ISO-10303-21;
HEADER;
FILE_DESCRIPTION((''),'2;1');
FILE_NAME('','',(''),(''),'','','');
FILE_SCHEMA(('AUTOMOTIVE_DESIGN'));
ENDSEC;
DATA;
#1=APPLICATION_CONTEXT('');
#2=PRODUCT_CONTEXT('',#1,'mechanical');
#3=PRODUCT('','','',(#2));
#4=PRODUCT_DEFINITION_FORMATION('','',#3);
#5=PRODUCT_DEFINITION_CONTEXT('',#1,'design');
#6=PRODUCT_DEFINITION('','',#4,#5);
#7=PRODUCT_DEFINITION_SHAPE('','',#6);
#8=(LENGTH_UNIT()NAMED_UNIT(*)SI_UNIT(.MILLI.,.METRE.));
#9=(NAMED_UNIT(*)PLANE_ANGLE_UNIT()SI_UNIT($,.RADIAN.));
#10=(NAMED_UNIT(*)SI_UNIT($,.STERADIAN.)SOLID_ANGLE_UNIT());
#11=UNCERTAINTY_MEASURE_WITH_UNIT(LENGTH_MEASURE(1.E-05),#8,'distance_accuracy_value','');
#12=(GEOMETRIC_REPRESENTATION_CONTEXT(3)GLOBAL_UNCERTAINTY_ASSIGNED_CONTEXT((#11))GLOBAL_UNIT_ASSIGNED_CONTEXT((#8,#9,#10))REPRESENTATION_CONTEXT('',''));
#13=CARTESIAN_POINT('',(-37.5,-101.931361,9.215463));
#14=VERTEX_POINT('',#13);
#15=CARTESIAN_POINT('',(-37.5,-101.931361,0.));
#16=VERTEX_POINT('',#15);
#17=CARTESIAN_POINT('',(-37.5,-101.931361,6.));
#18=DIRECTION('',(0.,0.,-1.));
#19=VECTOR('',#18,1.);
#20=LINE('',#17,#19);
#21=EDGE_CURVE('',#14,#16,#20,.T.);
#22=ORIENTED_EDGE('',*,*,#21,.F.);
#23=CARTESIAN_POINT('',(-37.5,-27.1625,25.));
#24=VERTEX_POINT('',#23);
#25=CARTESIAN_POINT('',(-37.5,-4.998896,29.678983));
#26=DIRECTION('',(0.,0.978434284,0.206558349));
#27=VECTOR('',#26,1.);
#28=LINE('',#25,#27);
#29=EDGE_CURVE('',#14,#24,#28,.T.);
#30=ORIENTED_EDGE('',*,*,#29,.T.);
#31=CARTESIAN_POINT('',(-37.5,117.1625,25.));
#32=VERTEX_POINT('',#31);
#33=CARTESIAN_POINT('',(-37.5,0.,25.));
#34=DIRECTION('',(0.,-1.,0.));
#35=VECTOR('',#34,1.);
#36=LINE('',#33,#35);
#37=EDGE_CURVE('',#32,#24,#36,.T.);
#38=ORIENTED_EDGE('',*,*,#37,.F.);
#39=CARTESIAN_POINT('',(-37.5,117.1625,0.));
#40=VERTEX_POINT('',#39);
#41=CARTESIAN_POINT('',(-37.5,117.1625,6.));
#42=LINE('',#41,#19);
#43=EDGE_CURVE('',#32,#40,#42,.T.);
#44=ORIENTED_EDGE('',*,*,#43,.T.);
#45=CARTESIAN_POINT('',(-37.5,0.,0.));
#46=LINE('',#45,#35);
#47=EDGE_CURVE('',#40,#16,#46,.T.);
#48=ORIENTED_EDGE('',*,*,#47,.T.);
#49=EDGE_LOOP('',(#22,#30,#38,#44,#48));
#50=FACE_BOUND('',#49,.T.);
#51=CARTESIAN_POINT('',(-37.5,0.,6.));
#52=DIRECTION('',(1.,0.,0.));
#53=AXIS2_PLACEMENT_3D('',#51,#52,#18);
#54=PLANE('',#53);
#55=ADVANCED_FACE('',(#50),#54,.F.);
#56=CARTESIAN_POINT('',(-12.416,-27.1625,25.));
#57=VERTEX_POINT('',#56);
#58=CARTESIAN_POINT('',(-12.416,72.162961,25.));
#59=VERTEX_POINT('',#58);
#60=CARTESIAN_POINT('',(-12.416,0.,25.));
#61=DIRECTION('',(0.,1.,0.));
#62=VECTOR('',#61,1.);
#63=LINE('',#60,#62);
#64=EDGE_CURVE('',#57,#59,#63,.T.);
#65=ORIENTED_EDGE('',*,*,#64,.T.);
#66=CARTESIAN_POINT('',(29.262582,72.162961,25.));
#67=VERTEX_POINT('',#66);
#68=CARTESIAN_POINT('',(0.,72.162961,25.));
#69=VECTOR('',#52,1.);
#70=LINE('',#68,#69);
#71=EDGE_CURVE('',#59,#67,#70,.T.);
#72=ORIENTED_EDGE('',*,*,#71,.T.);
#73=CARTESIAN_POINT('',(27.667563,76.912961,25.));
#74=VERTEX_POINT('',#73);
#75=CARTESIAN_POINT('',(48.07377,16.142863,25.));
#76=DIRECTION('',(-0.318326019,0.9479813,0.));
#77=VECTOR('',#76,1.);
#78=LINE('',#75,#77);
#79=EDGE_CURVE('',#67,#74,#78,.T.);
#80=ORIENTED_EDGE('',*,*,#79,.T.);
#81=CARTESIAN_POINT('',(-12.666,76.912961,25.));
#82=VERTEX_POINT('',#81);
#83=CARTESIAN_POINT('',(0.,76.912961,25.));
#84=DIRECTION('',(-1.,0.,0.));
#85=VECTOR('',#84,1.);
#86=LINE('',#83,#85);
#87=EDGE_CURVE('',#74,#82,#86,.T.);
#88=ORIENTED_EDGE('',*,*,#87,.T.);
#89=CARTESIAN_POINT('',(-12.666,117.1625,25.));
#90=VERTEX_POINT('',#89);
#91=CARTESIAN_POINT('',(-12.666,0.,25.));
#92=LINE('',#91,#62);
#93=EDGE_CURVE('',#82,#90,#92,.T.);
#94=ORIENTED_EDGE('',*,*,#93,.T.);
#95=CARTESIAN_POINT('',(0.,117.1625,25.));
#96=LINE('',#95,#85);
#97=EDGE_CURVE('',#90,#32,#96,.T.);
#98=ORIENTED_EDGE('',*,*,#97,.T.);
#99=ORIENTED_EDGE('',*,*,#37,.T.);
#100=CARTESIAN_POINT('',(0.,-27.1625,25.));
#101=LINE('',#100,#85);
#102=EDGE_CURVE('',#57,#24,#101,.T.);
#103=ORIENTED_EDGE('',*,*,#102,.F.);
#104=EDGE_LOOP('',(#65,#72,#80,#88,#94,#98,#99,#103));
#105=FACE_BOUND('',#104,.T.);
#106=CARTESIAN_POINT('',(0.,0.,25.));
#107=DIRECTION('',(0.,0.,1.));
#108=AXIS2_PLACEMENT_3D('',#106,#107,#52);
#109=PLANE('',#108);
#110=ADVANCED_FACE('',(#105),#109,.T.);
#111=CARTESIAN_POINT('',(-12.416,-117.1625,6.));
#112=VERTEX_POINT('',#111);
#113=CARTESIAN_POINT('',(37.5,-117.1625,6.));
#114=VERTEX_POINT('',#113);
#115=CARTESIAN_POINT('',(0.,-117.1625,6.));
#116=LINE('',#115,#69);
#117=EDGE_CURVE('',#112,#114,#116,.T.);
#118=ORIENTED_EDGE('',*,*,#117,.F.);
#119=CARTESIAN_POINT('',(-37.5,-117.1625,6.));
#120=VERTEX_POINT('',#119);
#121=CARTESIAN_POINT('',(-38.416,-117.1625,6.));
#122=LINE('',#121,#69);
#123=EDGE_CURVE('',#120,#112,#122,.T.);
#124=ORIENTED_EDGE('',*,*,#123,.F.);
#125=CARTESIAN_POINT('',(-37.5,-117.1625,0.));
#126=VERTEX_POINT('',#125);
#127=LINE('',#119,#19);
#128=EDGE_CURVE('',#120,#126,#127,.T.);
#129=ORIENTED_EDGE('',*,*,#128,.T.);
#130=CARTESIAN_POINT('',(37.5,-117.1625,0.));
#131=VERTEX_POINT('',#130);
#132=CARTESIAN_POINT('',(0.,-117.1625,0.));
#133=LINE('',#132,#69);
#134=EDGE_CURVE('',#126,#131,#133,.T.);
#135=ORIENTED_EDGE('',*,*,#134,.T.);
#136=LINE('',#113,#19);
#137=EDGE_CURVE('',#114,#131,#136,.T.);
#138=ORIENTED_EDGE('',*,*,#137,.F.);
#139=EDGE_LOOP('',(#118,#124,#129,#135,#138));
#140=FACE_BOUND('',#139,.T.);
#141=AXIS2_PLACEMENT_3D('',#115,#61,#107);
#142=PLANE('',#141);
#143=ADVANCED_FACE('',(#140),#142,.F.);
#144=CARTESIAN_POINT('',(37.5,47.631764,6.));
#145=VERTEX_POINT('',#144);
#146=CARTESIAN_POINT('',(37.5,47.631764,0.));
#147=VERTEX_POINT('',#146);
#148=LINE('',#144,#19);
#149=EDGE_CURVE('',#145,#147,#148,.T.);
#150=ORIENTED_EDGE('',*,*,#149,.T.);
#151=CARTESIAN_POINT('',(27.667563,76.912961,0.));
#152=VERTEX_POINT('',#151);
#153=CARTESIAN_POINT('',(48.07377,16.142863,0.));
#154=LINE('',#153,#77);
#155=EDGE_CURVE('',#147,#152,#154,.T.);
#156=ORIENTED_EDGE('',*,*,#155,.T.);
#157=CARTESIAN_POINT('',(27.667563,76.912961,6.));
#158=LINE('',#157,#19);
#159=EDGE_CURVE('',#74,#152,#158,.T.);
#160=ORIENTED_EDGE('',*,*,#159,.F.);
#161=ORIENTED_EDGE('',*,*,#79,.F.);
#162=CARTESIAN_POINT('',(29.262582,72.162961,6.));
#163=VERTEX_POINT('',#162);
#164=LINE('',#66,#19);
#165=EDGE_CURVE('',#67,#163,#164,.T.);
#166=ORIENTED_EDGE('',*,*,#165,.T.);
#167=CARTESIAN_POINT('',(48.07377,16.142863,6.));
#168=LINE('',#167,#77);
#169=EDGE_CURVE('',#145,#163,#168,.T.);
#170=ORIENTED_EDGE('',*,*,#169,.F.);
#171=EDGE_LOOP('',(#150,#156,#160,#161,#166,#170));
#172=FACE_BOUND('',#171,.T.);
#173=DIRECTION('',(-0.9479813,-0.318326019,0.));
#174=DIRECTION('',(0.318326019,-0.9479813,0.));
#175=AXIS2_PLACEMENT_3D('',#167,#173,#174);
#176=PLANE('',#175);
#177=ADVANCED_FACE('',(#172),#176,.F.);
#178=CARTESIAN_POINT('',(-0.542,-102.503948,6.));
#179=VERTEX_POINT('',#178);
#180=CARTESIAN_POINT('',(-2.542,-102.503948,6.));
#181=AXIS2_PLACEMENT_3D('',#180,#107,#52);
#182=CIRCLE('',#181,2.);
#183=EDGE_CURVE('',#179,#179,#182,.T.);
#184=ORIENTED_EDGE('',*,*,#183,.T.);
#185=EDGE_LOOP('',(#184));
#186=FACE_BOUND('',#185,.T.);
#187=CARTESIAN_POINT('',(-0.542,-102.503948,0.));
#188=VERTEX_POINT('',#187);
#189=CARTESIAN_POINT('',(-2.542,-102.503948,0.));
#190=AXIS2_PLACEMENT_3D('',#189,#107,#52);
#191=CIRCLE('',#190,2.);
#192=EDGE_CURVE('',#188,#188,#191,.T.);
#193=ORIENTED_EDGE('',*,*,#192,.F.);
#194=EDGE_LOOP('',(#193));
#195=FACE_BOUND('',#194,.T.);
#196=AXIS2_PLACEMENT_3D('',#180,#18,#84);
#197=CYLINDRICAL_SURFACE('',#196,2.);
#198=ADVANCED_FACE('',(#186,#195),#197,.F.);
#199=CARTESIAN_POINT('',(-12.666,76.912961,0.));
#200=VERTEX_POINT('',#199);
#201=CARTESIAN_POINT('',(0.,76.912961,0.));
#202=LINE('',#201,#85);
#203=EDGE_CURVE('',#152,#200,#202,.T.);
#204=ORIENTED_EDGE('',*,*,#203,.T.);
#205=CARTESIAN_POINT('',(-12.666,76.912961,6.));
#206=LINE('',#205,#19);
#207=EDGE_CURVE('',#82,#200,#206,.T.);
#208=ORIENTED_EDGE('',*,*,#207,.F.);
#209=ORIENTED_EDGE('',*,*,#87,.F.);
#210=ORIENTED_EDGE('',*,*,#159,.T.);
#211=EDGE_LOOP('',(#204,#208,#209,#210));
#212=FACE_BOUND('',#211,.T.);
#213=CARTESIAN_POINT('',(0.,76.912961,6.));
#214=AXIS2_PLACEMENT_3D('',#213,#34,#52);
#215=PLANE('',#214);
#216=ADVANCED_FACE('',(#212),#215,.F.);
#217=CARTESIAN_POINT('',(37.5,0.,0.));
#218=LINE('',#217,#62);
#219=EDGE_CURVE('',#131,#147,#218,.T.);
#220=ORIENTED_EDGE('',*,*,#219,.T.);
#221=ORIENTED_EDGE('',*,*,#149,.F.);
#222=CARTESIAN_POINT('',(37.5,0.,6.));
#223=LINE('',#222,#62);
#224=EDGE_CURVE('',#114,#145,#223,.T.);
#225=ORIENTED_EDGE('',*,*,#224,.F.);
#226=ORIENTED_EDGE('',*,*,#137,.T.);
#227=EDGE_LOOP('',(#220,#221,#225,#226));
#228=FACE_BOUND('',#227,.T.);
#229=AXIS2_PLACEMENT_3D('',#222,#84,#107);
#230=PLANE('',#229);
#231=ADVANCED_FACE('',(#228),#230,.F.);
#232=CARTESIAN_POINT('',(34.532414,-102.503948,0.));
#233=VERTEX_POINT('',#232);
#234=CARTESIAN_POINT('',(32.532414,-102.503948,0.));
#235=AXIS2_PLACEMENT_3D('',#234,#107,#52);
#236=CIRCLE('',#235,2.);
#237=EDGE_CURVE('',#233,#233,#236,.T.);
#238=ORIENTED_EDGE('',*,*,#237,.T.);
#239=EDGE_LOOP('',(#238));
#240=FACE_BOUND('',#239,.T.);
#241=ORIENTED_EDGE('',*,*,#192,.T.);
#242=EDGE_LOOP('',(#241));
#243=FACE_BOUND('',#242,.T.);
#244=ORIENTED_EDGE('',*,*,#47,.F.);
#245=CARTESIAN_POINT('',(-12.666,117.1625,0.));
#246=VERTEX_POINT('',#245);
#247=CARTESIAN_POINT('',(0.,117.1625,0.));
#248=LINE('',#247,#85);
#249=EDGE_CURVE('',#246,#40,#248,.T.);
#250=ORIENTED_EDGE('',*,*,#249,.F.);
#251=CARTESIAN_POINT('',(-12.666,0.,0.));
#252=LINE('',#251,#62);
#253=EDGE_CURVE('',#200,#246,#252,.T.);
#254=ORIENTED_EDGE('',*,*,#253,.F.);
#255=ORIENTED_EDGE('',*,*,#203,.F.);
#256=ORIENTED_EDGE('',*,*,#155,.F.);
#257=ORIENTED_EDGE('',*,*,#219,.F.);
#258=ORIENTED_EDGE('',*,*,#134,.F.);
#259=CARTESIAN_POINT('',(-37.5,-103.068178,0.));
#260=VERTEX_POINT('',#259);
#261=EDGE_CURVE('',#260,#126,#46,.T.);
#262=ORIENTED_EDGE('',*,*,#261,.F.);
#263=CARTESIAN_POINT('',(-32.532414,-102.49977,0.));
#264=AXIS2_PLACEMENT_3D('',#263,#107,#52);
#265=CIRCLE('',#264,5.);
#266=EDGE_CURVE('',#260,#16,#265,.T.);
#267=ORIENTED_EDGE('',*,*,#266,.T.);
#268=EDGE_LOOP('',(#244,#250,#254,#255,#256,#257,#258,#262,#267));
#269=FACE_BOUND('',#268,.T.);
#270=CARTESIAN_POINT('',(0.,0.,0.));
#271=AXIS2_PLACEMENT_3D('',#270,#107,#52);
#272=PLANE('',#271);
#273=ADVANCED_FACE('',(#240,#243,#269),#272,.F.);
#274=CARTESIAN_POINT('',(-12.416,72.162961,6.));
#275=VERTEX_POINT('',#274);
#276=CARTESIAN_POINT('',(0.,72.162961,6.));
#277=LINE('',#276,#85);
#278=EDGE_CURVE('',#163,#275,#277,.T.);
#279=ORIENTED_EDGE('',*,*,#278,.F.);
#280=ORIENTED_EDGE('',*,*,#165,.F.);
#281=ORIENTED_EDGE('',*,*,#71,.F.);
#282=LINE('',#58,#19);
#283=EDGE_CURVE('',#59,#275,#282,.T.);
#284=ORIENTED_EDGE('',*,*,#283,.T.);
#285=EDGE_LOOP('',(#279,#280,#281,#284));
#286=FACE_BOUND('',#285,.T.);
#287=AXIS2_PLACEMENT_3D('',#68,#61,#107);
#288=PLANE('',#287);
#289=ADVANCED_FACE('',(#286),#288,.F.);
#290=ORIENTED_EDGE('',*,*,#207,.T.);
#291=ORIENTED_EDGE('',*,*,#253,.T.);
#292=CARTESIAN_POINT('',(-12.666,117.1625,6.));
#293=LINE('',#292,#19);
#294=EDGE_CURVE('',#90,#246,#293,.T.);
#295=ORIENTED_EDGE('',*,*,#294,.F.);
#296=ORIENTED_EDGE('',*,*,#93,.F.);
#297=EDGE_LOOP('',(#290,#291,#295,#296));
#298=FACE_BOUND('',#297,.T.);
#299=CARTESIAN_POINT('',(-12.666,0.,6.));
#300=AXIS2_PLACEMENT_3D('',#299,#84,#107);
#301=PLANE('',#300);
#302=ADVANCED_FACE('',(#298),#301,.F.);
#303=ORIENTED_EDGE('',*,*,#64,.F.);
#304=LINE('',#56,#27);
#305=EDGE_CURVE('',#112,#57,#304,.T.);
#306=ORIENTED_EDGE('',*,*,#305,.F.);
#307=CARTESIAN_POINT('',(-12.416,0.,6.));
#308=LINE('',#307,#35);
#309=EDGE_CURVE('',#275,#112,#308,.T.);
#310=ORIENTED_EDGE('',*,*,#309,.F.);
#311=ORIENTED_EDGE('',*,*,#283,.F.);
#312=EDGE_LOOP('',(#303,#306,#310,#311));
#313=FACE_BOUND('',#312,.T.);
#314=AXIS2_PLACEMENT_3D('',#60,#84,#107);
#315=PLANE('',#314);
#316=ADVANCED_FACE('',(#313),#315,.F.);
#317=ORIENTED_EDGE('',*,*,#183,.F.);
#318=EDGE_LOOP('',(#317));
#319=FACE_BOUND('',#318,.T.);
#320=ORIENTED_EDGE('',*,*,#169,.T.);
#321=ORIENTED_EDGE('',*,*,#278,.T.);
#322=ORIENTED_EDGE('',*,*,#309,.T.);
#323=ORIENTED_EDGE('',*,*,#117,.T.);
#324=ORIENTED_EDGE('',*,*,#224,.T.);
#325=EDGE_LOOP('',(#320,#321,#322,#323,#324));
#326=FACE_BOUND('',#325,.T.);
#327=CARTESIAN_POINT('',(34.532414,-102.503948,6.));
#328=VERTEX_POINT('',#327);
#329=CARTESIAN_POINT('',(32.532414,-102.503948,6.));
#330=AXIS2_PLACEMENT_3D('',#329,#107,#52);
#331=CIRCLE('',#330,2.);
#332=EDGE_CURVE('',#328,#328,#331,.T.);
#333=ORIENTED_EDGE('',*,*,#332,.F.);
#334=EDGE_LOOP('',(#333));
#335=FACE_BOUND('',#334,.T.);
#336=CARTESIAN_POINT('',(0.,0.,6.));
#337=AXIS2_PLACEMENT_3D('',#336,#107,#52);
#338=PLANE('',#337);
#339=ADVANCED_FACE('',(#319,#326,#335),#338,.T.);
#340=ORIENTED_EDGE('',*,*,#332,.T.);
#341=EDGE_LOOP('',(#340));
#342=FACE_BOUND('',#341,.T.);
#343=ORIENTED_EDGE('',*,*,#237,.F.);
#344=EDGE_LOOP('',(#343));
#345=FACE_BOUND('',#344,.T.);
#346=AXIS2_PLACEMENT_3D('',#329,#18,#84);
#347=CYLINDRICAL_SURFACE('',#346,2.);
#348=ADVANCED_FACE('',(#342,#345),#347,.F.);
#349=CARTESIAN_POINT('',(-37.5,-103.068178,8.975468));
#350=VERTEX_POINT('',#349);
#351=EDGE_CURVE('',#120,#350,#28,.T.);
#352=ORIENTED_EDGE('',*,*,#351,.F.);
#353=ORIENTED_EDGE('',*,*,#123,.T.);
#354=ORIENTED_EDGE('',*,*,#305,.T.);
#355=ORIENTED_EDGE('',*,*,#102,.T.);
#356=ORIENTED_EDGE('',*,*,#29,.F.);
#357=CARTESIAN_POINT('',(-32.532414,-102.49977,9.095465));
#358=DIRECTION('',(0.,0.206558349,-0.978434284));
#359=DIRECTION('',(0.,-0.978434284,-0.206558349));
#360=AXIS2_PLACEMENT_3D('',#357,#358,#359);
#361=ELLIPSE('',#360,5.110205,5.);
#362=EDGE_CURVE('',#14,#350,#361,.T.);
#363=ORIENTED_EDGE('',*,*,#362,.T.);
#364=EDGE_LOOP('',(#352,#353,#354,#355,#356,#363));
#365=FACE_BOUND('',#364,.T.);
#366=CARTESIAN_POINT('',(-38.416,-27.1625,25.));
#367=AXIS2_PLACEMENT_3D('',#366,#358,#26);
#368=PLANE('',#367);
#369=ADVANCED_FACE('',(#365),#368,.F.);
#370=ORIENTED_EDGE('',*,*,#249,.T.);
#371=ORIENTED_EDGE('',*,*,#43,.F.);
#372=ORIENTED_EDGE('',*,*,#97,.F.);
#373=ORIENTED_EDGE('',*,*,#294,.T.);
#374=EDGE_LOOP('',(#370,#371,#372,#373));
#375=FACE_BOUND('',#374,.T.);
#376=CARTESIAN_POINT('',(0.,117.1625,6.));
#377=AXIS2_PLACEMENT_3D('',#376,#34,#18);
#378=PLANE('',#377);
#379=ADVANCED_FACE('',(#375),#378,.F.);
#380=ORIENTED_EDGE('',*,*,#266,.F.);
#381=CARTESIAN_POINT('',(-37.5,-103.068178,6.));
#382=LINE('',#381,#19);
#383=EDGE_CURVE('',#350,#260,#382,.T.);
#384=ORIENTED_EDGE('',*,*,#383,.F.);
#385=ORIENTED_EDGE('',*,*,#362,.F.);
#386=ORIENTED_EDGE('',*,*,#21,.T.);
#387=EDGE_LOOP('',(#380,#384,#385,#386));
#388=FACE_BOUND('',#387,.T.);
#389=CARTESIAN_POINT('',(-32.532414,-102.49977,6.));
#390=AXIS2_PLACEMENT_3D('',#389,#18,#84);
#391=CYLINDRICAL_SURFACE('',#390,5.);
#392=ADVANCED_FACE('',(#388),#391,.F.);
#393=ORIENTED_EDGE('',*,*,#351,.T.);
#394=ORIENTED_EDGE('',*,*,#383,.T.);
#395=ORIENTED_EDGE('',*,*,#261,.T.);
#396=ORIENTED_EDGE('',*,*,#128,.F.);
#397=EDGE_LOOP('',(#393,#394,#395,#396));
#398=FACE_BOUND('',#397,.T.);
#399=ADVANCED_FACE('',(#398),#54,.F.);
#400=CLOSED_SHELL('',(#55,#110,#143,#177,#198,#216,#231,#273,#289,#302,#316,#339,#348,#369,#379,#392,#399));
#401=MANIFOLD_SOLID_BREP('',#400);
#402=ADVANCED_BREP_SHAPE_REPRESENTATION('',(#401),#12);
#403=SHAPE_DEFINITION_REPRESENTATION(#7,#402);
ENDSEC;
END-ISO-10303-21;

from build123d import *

# Parameters (mm, degrees)
SKETCH1_R           = 2
BOSS_EXTRUDE1_DEPTH = 6
BOSS_EXTRUDE2_DEPTH = 25
CUT_EXTRUDE1_DEPTH  = 26


with BuildPart() as part:
    # Sketch1 → Boss-Extrude1 (new body)
    with BuildSketch(Plane.XY):
        with BuildLine():
            ThreePointArc((-37.5, -101.931361022), (-27.5324139, -102.499769625), (-37.5, -103.068178229))
            Line((-37.5, -103.068178229), (-37.5, -117.1625))
            Line((-37.5, -117.1625), (37.5, -117.1625))
            Line((37.5, -117.1625), (37.5, 47.631763907))
            Line((37.5, 47.631763907), (27.667562569, 76.912960749))
            Line((27.667562569, 76.912960749), (-12.666, 76.912960749))
            Line((-12.666, 76.912960749), (-12.666, 117.1625))
            Line((-12.666, 117.1625), (-37.5, 117.1625))
            Line((-37.5, 117.1625), (-37.5, -101.931361022))
        make_face()
        with Locations((32.5324139, -102.503947692)):
            Circle(SKETCH1_R, mode=Mode.SUBTRACT)
        with Locations((-2.542, -102.503947692)):
            Circle(SKETCH1_R, mode=Mode.SUBTRACT)
    extrude(amount=BOSS_EXTRUDE1_DEPTH)

    # Sketch1<4> → Boss-Extrude2 (add)
    with BuildSketch(Plane.XY):
        with BuildLine():
            ThreePointArc((-37.5, -101.931361022), (-27.5324139, -102.499769625), (-37.5, -103.068178229))
            Line((-37.5, -103.068178229), (-37.5, -117.1625))
            Line((-37.5, -117.1625), (-12.416, -117.1625))
            Line((-12.416, -117.1625), (-12.416, 72.162960749))
            Line((-12.416, 72.162960749), (29.262581996, 72.162960749))
            Line((29.262581996, 72.162960749), (27.667562569, 76.912960749))
            Line((27.667562569, 76.912960749), (-12.666, 76.912960749))
            Line((-12.666, 76.912960749), (-12.666, 117.1625))
            Line((-12.666, 117.1625), (-37.5, 117.1625))
            Line((-37.5, 117.1625), (-37.5, -101.931361022))
        make_face()
    extrude(amount=BOSS_EXTRUDE2_DEPTH)

    # Sketch2 → Cut-Extrude1 (cut)
    with BuildSketch(Plane(origin=(-12.416, 0, 0), x_dir=(0, 0, -1), z_dir=(1, 0, 0))):
        Polygon((-25, -27.1625), (-6, -117.1625), (-25, -117.1625), align=None)
    extrude(amount=-CUT_EXTRUDE1_DEPTH, mode=Mode.SUBTRACT)


solid = part.part
